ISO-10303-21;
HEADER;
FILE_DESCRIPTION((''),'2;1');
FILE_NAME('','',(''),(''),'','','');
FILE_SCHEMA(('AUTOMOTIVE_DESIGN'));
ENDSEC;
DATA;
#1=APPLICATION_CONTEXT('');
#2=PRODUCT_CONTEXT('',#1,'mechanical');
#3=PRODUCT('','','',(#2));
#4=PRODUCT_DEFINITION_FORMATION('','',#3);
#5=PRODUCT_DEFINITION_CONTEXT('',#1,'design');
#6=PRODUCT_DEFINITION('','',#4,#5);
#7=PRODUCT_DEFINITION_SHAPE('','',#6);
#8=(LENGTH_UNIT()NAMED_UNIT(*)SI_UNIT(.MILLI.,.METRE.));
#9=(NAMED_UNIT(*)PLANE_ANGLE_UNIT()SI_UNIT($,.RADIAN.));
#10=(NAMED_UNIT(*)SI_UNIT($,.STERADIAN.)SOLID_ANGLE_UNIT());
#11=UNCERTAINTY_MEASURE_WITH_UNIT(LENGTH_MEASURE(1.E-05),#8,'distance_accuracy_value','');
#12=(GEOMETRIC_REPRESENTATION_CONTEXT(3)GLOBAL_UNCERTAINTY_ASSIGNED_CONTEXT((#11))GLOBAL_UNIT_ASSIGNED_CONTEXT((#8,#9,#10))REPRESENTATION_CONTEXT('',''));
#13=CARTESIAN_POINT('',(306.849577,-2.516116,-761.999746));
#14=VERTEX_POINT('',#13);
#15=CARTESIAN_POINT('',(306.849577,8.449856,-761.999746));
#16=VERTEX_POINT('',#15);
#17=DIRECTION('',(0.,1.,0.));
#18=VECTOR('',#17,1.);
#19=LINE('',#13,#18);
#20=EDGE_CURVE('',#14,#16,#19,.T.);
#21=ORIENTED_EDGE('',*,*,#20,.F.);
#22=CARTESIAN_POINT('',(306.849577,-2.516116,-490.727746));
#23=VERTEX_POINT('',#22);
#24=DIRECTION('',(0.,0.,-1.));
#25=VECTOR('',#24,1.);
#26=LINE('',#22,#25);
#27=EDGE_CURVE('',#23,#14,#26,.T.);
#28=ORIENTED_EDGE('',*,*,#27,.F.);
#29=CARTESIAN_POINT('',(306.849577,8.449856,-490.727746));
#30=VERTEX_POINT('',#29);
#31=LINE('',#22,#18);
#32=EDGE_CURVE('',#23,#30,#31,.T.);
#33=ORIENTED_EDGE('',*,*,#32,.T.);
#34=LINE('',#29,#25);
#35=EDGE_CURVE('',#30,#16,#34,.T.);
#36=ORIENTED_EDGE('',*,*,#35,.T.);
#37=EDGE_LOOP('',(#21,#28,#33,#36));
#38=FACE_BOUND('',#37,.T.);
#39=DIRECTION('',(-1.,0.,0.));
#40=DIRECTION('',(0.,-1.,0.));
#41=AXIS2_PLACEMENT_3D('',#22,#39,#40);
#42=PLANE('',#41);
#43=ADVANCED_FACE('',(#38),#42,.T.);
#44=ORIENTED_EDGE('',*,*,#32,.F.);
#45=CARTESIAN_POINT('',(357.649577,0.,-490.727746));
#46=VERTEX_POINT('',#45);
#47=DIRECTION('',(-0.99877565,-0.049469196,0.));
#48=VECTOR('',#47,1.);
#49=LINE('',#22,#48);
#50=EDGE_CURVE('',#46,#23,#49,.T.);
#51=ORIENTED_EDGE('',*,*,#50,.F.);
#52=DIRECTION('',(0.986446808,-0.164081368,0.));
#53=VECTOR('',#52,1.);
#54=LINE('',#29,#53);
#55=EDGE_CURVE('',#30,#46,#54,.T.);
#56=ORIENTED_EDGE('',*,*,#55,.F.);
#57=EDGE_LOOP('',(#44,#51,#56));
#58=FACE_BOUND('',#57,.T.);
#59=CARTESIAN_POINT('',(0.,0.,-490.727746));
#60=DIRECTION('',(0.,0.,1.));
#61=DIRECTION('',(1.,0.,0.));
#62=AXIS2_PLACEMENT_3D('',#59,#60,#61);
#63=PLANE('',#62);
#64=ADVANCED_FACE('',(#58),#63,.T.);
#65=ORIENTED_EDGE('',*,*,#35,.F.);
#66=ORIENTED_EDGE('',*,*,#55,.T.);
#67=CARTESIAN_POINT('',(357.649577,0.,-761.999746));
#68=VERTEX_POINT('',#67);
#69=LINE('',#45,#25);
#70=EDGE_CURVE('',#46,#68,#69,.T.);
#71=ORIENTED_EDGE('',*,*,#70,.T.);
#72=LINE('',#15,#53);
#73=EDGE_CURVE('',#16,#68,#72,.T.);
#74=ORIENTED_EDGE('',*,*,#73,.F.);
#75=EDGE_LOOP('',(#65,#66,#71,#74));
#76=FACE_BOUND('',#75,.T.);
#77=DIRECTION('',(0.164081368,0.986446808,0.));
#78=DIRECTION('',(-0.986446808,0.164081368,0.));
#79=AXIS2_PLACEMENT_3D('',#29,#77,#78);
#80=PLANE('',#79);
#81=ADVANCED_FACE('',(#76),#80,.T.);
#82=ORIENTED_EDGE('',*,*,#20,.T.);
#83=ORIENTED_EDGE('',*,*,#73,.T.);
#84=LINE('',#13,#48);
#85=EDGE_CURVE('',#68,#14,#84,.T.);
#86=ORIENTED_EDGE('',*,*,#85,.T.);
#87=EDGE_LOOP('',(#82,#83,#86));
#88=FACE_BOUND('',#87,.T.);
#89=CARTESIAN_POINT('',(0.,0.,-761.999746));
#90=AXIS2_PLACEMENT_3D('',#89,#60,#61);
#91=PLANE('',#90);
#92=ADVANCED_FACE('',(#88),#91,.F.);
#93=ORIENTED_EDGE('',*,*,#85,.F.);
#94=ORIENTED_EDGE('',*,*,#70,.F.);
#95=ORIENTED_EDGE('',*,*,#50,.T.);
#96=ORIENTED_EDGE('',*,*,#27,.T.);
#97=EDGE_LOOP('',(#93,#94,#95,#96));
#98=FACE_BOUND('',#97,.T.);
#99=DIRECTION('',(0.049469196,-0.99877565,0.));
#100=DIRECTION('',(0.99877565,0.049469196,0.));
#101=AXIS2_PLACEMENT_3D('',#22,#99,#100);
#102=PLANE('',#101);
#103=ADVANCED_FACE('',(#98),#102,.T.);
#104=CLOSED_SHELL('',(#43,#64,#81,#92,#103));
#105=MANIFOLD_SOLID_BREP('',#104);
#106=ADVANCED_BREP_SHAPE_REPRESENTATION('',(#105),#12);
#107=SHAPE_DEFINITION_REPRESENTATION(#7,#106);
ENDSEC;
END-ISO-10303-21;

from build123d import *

# Parameters (mm, degrees)
BOSS_EXTRUDE2_DEPTH = 271.272


with BuildPart() as part:
    # Sketch2 → Boss-Extrude2 (new body)
    with BuildSketch(Plane(origin=(0, 0, -761.999746), x_dir=(-1, 0, 0), z_dir=(0, 0, -1))):
        Polygon((-306.8495768, -2.516115741), (-306.8495768, 8.449856001), (-357.6495768, 0), align=None)
    extrude(amount=-BOSS_EXTRUDE2_DEPTH)


solid = part.part
